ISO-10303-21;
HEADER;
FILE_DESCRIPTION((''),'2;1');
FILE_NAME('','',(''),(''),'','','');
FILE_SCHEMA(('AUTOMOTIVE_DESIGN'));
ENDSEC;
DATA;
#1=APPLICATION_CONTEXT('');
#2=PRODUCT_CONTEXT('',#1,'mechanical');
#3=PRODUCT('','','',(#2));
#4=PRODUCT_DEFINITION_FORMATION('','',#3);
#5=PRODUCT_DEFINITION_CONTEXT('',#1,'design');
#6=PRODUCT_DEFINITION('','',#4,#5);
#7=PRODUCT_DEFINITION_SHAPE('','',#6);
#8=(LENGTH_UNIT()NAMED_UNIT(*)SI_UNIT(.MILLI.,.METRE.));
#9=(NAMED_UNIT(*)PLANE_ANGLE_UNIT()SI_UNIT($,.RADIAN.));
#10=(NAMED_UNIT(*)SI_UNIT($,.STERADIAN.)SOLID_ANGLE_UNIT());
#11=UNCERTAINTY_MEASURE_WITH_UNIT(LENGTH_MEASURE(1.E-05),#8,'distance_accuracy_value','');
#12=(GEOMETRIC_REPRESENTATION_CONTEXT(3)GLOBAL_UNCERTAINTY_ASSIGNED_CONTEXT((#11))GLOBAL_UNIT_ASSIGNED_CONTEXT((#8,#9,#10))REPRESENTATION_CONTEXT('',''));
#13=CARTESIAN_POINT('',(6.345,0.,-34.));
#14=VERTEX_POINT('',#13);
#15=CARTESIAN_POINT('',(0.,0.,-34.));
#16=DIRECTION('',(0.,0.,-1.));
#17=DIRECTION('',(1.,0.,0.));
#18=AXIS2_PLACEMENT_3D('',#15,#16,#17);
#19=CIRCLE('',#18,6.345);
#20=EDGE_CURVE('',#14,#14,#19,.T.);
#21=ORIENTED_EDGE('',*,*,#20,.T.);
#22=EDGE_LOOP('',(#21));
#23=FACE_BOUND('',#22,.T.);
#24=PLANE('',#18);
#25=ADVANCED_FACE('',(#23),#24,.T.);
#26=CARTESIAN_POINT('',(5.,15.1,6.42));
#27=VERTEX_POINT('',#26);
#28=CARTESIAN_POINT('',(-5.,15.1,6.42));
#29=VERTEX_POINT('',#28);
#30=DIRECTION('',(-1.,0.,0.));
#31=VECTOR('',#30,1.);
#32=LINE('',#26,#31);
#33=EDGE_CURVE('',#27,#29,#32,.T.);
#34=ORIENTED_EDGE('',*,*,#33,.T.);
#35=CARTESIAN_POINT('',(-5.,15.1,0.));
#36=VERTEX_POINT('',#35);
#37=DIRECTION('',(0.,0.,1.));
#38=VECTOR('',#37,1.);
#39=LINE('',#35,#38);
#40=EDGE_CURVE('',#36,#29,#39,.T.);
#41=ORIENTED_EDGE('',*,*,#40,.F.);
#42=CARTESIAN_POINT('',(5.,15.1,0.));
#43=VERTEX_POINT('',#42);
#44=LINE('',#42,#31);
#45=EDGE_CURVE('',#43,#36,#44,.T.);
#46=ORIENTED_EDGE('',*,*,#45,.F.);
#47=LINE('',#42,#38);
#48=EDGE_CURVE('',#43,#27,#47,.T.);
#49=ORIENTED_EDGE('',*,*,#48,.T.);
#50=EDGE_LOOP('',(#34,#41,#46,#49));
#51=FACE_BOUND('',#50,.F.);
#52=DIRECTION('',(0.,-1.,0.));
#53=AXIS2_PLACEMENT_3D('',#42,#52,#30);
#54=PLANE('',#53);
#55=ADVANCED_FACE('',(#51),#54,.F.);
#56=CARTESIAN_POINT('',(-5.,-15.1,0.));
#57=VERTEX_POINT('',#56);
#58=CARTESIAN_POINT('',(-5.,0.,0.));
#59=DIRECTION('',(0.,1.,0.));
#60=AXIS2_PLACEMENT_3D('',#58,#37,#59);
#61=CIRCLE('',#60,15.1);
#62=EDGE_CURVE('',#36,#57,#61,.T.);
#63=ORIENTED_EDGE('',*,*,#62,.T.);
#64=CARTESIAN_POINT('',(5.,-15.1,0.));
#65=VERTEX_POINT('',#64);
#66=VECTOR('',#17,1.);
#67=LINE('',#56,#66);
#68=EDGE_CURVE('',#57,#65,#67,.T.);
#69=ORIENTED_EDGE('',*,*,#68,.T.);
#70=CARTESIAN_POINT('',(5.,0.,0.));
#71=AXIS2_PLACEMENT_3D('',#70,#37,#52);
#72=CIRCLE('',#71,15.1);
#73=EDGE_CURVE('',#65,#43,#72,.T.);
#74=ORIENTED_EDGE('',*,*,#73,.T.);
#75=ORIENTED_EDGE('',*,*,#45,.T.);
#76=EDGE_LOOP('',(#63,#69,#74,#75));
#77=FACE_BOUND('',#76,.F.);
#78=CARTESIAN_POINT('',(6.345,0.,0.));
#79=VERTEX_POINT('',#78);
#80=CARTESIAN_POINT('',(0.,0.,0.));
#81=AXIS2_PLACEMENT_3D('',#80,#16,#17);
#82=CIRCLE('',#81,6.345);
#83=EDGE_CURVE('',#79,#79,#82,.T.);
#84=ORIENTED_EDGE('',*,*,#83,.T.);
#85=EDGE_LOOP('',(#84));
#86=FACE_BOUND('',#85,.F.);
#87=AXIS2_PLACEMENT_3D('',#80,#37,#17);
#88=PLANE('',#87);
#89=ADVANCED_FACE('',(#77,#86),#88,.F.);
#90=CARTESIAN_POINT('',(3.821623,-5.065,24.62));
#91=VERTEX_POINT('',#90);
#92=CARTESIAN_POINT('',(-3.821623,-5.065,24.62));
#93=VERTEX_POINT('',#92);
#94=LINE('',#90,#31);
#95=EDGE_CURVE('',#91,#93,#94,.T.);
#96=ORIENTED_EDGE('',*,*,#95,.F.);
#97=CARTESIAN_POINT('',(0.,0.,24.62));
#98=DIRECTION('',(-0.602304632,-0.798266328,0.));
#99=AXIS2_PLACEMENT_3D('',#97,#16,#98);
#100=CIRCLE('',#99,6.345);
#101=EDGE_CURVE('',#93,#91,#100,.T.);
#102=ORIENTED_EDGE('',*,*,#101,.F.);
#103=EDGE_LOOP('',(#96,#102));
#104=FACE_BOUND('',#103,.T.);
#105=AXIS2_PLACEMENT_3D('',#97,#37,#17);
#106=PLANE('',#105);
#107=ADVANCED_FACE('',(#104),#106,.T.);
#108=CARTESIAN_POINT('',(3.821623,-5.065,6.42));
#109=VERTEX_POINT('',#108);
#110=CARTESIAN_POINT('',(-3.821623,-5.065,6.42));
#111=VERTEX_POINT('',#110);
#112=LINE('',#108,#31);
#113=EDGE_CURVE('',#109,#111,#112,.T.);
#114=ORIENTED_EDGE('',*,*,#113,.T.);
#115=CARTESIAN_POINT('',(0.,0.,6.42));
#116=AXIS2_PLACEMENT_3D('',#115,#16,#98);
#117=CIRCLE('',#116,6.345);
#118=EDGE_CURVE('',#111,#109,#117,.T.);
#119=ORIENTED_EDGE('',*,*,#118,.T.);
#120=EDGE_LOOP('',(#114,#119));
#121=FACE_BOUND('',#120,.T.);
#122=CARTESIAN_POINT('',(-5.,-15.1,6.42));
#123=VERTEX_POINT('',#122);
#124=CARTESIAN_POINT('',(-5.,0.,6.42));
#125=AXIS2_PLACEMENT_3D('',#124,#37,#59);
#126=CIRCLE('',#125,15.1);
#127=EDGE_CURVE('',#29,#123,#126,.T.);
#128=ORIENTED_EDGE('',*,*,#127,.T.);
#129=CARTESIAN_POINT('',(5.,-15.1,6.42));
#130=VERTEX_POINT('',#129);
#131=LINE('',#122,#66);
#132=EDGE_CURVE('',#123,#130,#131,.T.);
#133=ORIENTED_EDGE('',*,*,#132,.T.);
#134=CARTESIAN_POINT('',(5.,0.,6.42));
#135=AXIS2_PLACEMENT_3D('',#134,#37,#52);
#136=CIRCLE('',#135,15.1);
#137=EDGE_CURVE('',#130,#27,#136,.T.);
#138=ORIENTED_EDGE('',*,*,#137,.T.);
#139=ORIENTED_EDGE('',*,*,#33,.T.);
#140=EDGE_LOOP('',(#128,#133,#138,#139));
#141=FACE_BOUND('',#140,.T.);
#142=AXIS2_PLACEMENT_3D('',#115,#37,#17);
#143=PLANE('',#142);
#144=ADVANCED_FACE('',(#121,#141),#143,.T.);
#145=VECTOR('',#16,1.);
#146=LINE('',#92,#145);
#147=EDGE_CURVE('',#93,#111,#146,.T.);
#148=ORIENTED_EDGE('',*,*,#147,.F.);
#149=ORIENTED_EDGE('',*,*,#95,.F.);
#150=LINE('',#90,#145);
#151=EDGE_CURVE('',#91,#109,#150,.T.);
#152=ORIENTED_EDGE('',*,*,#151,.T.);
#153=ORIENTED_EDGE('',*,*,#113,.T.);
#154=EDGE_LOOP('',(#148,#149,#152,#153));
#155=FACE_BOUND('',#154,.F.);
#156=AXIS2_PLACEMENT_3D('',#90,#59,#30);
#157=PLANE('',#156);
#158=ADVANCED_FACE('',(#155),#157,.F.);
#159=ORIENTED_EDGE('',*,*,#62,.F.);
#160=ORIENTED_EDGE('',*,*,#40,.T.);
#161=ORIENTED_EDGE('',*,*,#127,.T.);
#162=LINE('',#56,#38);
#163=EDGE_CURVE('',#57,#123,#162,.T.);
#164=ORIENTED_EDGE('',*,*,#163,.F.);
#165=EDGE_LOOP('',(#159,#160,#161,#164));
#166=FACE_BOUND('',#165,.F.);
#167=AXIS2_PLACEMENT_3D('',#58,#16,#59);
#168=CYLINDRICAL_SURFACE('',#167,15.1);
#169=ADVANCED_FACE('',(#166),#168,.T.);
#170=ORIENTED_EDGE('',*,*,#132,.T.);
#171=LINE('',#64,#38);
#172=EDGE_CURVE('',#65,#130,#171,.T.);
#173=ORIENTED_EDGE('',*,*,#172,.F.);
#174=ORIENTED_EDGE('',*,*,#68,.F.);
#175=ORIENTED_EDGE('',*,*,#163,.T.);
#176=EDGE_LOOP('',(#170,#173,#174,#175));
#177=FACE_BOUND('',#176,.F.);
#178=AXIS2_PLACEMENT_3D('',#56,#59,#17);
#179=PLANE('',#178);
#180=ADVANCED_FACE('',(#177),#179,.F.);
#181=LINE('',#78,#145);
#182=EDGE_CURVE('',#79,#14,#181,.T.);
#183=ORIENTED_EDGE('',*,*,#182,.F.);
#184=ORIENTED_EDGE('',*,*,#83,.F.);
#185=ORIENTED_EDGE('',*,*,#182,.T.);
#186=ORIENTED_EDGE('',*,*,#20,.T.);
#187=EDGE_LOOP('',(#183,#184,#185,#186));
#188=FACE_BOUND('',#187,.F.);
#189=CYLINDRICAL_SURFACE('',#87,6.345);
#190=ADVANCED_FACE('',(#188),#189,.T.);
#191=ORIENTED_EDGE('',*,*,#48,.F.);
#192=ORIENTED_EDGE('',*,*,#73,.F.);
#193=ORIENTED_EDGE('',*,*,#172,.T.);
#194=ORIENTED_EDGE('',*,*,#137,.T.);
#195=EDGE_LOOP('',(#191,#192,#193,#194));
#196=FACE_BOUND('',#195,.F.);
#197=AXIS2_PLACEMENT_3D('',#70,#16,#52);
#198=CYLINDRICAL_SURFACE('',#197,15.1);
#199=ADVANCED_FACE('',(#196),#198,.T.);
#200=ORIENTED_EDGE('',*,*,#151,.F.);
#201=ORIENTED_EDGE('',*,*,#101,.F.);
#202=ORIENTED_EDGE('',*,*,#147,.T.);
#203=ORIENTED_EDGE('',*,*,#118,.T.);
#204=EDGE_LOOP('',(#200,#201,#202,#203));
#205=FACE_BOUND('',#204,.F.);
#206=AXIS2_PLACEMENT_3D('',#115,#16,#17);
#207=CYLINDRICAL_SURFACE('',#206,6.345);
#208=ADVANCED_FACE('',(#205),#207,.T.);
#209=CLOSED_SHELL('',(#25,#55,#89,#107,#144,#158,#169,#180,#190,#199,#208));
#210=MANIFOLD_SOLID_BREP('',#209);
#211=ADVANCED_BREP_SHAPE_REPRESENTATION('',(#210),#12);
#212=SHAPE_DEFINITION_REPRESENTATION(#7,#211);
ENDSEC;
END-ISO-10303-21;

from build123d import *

# Parameters (mm, degrees)
F1_DEPTH = 6.42
F2_R     = 6.345
F3_DEPTH = 34
F4_R     = 6.345
F5_DEPTH = 18.2
F7_DEPTH = 18.2


with BuildPart() as f1:
    # F0 (on Top) → F1 (new body)
    with BuildSketch(Plane.XY):
        with BuildLine():
            Line((5, 15.1), (-5, 15.1))
            ThreePointArc((-5, 15.1), (-20.1, 0), (-5, -15.1))
            Line((-5, -15.1), (5, -15.1))
            ThreePointArc((5, -15.1), (20.1, 0), (5, 15.1))
        make_face()
    extrude(amount=F1_DEPTH)

    # F2 (on face) → F3 (join)
    with BuildSketch(Plane(origin=(0, 0, 0), x_dir=(1, 0, 0), z_dir=(0, 0, -1))):
        Circle(F2_R)
    extrude(amount=F3_DEPTH)

    # F4 (on face) → F5 (join)
    with BuildSketch(Plane.XY.offset(6.42)):
        Circle(F4_R)
    extrude(amount=F5_DEPTH)

    # F6 (on face) → F7 (cut)
    with BuildSketch(Plane.XY.offset(24.62)):
        with BuildLine():
            ThreePointArc((-3.821623, -5.065), (-2.015143, -6.016496), (0, -6.345))
            Line((0, -6.345), (0, -5.065))
            Line((0, -5.065), (-3.821623, -5.065))
        make_face()
        with BuildLine():
            Line((0, -5.065), (0, -6.345))
            ThreePointArc((0, -6.345), (2.015143, -6.016496), (3.821623, -5.065))
            Line((3.821623, -5.065), (0, -5.065))
        make_face()
    extrude(amount=-F7_DEPTH, mode=Mode.SUBTRACT)


solid = f1.part
